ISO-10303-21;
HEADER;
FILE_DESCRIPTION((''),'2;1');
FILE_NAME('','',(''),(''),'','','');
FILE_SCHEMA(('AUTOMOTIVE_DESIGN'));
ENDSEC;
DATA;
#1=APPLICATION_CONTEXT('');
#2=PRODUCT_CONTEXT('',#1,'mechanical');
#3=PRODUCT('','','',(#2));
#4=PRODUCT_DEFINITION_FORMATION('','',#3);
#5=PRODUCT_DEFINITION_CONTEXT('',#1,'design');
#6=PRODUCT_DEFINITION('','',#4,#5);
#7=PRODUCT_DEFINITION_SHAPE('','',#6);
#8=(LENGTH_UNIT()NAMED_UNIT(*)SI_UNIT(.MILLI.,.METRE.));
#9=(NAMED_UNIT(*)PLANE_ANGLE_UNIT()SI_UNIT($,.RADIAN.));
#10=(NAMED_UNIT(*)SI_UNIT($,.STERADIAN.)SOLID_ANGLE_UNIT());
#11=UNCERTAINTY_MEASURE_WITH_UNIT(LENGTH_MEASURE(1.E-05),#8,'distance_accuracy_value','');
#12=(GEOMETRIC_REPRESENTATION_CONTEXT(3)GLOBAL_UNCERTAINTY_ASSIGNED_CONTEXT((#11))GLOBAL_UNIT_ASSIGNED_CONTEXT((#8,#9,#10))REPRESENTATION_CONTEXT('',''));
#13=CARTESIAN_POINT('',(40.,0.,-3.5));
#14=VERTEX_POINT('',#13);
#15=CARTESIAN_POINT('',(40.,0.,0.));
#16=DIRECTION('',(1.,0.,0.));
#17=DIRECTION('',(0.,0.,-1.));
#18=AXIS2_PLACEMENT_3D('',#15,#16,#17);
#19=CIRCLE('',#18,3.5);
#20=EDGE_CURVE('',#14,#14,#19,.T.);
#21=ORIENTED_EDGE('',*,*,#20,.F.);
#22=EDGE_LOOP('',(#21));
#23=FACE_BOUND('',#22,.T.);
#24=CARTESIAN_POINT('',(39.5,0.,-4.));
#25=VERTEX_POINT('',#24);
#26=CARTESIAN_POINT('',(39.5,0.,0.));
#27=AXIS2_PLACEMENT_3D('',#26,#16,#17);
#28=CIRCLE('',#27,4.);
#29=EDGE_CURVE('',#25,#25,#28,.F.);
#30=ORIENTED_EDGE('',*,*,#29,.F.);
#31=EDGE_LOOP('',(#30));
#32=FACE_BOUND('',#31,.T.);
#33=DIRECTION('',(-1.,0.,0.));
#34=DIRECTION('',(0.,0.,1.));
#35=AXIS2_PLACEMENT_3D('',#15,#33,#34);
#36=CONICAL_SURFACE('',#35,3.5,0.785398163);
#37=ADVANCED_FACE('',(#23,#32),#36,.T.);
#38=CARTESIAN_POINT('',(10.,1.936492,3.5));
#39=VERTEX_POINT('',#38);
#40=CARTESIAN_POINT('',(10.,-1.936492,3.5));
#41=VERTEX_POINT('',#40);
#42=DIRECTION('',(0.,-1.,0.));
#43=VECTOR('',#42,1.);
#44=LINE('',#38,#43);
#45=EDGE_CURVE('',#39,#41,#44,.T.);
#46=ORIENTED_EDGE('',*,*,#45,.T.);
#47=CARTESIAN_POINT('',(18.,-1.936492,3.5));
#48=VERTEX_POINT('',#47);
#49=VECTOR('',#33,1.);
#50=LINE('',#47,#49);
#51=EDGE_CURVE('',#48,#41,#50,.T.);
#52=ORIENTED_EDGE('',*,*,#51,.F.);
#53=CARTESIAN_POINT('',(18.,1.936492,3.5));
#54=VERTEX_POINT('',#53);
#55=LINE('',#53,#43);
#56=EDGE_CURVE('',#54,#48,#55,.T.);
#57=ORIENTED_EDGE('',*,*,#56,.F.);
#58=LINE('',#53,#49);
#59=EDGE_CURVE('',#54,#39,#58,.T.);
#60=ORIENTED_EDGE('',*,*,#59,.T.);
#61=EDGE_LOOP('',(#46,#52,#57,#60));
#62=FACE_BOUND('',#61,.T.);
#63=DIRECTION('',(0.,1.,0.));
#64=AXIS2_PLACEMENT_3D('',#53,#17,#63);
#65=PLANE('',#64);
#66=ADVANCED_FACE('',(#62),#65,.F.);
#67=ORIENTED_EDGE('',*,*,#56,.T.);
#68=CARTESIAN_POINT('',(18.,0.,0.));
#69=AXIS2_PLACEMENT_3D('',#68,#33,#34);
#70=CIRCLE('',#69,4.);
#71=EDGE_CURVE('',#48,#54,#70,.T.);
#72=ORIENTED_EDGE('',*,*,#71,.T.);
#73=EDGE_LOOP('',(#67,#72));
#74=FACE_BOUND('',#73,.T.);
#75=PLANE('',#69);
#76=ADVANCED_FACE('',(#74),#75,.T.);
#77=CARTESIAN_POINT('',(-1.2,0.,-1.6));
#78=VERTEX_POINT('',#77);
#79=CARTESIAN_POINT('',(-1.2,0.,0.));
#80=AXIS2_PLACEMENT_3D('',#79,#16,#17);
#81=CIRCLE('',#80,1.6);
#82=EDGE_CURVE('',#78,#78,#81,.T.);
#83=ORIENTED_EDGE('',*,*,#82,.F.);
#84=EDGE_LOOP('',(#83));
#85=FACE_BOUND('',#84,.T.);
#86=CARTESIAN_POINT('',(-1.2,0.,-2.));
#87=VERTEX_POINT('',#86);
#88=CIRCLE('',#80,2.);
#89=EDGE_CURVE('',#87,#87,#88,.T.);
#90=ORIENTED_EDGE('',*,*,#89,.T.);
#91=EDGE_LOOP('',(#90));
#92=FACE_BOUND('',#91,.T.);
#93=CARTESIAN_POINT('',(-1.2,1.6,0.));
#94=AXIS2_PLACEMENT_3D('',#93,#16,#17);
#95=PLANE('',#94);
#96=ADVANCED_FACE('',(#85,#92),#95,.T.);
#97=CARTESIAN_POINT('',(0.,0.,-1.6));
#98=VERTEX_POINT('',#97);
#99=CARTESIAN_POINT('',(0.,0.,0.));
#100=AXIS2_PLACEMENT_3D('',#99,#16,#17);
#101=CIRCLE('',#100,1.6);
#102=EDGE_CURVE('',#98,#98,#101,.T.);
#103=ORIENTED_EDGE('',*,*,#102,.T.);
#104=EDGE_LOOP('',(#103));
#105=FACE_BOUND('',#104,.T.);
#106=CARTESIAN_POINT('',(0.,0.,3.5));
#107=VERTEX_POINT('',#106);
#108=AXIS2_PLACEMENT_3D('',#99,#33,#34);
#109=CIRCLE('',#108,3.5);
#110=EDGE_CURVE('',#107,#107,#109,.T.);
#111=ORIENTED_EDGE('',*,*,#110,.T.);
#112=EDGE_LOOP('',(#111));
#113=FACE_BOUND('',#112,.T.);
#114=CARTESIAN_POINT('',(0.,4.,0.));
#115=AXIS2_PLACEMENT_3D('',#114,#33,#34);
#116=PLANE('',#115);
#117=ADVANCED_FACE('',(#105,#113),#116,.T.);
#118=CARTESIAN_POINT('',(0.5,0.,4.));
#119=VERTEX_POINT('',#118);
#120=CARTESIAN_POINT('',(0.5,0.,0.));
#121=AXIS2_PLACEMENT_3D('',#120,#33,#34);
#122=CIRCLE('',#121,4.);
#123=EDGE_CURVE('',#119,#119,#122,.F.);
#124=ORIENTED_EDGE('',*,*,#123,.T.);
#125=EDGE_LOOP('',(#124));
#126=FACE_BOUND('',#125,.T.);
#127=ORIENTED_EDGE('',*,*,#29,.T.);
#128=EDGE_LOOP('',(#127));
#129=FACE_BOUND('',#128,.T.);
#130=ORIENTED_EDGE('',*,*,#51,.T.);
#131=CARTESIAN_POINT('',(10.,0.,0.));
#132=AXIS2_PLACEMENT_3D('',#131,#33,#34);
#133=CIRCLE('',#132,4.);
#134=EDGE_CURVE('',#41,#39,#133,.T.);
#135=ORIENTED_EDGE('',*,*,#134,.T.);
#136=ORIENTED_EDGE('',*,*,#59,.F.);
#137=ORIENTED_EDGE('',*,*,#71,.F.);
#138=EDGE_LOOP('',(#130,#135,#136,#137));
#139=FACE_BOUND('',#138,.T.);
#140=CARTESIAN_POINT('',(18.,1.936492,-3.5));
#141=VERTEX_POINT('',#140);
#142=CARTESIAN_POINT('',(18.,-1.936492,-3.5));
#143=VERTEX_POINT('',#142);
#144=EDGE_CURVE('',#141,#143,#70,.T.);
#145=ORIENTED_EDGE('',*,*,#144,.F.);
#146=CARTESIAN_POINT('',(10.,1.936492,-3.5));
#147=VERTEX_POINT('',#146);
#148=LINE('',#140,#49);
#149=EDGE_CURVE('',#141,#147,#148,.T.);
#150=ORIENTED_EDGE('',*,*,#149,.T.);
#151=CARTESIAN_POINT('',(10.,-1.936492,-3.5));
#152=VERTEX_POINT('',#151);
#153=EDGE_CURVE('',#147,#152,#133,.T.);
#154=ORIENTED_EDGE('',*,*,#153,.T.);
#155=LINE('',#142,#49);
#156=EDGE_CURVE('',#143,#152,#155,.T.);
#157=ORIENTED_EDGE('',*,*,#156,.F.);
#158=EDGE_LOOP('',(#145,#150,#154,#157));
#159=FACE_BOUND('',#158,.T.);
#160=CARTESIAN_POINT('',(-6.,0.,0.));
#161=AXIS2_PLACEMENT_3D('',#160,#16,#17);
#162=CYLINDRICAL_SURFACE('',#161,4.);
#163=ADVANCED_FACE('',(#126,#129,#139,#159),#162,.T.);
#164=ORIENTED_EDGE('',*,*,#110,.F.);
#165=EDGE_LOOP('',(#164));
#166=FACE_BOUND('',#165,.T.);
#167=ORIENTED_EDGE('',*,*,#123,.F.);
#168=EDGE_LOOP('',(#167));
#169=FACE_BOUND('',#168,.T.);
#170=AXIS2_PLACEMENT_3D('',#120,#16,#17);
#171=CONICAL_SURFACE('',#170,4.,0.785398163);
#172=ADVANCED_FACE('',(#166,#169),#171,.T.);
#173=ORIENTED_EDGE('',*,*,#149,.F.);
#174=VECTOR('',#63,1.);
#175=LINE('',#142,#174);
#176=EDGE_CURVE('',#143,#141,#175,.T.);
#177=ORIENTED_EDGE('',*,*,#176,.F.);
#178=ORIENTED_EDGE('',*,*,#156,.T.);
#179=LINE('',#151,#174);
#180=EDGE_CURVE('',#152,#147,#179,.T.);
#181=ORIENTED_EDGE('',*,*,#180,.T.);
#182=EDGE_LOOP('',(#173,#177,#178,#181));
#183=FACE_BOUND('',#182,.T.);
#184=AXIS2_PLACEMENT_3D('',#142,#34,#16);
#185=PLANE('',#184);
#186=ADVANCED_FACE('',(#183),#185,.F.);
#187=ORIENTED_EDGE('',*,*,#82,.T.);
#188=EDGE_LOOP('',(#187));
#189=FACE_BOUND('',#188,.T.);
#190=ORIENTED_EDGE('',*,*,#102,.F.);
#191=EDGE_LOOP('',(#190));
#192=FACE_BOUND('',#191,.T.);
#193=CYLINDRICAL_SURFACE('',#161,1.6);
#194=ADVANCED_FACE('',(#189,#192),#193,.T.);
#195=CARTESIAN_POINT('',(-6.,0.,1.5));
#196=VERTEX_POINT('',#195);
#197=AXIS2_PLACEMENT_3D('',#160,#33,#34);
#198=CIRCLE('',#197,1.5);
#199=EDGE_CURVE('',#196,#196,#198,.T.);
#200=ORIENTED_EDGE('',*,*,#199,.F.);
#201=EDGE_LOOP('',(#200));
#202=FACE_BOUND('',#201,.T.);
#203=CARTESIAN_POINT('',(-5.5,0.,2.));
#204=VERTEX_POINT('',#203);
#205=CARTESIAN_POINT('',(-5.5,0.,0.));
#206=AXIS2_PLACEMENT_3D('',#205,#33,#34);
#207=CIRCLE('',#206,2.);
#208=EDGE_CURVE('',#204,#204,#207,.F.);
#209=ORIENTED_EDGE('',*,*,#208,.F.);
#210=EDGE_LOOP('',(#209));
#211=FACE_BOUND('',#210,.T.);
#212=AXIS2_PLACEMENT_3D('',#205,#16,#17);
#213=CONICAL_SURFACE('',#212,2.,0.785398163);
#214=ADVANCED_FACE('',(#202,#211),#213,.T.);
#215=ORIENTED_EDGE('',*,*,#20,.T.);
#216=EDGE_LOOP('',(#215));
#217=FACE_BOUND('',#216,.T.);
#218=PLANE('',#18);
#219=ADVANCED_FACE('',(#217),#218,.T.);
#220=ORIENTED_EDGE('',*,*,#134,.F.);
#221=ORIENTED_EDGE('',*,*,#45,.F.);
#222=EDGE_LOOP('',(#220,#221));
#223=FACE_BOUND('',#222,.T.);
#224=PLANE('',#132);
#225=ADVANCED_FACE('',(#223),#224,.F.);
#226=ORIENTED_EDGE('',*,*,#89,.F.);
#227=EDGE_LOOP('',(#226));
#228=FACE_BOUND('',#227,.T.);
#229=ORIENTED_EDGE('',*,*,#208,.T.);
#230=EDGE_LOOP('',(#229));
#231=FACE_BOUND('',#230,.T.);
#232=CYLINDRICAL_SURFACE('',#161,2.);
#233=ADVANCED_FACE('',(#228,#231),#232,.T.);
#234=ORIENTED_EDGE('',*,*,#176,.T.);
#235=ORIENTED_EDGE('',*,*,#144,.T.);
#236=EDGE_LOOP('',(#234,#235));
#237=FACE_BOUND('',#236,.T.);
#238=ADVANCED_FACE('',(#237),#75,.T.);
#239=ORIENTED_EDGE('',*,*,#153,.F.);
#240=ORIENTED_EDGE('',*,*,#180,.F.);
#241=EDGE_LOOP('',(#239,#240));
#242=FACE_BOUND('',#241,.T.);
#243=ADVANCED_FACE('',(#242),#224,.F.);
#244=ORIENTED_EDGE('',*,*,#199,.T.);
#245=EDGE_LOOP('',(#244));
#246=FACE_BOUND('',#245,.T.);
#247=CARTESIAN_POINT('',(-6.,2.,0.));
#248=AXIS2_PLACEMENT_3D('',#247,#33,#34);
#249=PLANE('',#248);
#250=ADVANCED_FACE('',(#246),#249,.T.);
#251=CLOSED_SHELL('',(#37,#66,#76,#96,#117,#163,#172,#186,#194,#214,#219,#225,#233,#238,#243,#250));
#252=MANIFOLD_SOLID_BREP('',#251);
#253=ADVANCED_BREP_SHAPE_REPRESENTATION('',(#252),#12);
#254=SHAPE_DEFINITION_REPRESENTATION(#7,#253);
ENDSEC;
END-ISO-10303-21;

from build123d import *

# Parameters (mm, degrees)
CUT_EXTRUDE1_DEPTH = 8
CUT_EXTRUDE2_DEPTH = 8
CHAMFER1_SIZE      = 0.5


with BuildPart() as part:
    # Sketch1 → Revolve1 (revolve)
    with BuildSketch(Plane.XY):
        Polygon((-6, 2), (-6, 0), (40, 0), (40, 4), (0, 4), (0, 1.6), (-1.2, 1.6), (-1.2, 2), align=None)
    revolve(axis=Axis((-6, 0, 0), (1, 0, 0)))

    # Sketch2 → Cut-Extrude1 (cut)
    with BuildSketch(Plane(origin=(10, 0, 0), x_dir=(0, -1, 0), z_dir=(-1, 0, 0))):
        with BuildLine():
            Line((1.936491673, -3.5), (-1.936491673, -3.5))
            ThreePointArc((-1.936491673, -3.5), (0, -4), (1.936491673, -3.5))
        make_face()
    extrude(amount=-CUT_EXTRUDE1_DEPTH, mode=Mode.SUBTRACT)

    # Sketch3 → Cut-Extrude2 (cut)
    with BuildSketch(Plane(origin=(10, 0, 0), x_dir=(0, -1, 0), z_dir=(-1, 0, 0))):
        with BuildLine():
            Line((-1.936491622, 3.500000028), (1.936491622, 3.500000028))
            ThreePointArc((1.936491622, 3.500000028), (0, 4), (-1.936491622, 3.500000028))
        make_face()
    extrude(amount=-CUT_EXTRUDE2_DEPTH, mode=Mode.SUBTRACT)

    # Chamfer1
    chamfer1_edges = [part.edges().sort_by_distance(p)[0] for p in [
        (-6, -2, 0),
        (40, -4, 0),
        (0, -4, 0),
    ]]
    chamfer(chamfer1_edges, length=CHAMFER1_SIZE)


solid = part.part
